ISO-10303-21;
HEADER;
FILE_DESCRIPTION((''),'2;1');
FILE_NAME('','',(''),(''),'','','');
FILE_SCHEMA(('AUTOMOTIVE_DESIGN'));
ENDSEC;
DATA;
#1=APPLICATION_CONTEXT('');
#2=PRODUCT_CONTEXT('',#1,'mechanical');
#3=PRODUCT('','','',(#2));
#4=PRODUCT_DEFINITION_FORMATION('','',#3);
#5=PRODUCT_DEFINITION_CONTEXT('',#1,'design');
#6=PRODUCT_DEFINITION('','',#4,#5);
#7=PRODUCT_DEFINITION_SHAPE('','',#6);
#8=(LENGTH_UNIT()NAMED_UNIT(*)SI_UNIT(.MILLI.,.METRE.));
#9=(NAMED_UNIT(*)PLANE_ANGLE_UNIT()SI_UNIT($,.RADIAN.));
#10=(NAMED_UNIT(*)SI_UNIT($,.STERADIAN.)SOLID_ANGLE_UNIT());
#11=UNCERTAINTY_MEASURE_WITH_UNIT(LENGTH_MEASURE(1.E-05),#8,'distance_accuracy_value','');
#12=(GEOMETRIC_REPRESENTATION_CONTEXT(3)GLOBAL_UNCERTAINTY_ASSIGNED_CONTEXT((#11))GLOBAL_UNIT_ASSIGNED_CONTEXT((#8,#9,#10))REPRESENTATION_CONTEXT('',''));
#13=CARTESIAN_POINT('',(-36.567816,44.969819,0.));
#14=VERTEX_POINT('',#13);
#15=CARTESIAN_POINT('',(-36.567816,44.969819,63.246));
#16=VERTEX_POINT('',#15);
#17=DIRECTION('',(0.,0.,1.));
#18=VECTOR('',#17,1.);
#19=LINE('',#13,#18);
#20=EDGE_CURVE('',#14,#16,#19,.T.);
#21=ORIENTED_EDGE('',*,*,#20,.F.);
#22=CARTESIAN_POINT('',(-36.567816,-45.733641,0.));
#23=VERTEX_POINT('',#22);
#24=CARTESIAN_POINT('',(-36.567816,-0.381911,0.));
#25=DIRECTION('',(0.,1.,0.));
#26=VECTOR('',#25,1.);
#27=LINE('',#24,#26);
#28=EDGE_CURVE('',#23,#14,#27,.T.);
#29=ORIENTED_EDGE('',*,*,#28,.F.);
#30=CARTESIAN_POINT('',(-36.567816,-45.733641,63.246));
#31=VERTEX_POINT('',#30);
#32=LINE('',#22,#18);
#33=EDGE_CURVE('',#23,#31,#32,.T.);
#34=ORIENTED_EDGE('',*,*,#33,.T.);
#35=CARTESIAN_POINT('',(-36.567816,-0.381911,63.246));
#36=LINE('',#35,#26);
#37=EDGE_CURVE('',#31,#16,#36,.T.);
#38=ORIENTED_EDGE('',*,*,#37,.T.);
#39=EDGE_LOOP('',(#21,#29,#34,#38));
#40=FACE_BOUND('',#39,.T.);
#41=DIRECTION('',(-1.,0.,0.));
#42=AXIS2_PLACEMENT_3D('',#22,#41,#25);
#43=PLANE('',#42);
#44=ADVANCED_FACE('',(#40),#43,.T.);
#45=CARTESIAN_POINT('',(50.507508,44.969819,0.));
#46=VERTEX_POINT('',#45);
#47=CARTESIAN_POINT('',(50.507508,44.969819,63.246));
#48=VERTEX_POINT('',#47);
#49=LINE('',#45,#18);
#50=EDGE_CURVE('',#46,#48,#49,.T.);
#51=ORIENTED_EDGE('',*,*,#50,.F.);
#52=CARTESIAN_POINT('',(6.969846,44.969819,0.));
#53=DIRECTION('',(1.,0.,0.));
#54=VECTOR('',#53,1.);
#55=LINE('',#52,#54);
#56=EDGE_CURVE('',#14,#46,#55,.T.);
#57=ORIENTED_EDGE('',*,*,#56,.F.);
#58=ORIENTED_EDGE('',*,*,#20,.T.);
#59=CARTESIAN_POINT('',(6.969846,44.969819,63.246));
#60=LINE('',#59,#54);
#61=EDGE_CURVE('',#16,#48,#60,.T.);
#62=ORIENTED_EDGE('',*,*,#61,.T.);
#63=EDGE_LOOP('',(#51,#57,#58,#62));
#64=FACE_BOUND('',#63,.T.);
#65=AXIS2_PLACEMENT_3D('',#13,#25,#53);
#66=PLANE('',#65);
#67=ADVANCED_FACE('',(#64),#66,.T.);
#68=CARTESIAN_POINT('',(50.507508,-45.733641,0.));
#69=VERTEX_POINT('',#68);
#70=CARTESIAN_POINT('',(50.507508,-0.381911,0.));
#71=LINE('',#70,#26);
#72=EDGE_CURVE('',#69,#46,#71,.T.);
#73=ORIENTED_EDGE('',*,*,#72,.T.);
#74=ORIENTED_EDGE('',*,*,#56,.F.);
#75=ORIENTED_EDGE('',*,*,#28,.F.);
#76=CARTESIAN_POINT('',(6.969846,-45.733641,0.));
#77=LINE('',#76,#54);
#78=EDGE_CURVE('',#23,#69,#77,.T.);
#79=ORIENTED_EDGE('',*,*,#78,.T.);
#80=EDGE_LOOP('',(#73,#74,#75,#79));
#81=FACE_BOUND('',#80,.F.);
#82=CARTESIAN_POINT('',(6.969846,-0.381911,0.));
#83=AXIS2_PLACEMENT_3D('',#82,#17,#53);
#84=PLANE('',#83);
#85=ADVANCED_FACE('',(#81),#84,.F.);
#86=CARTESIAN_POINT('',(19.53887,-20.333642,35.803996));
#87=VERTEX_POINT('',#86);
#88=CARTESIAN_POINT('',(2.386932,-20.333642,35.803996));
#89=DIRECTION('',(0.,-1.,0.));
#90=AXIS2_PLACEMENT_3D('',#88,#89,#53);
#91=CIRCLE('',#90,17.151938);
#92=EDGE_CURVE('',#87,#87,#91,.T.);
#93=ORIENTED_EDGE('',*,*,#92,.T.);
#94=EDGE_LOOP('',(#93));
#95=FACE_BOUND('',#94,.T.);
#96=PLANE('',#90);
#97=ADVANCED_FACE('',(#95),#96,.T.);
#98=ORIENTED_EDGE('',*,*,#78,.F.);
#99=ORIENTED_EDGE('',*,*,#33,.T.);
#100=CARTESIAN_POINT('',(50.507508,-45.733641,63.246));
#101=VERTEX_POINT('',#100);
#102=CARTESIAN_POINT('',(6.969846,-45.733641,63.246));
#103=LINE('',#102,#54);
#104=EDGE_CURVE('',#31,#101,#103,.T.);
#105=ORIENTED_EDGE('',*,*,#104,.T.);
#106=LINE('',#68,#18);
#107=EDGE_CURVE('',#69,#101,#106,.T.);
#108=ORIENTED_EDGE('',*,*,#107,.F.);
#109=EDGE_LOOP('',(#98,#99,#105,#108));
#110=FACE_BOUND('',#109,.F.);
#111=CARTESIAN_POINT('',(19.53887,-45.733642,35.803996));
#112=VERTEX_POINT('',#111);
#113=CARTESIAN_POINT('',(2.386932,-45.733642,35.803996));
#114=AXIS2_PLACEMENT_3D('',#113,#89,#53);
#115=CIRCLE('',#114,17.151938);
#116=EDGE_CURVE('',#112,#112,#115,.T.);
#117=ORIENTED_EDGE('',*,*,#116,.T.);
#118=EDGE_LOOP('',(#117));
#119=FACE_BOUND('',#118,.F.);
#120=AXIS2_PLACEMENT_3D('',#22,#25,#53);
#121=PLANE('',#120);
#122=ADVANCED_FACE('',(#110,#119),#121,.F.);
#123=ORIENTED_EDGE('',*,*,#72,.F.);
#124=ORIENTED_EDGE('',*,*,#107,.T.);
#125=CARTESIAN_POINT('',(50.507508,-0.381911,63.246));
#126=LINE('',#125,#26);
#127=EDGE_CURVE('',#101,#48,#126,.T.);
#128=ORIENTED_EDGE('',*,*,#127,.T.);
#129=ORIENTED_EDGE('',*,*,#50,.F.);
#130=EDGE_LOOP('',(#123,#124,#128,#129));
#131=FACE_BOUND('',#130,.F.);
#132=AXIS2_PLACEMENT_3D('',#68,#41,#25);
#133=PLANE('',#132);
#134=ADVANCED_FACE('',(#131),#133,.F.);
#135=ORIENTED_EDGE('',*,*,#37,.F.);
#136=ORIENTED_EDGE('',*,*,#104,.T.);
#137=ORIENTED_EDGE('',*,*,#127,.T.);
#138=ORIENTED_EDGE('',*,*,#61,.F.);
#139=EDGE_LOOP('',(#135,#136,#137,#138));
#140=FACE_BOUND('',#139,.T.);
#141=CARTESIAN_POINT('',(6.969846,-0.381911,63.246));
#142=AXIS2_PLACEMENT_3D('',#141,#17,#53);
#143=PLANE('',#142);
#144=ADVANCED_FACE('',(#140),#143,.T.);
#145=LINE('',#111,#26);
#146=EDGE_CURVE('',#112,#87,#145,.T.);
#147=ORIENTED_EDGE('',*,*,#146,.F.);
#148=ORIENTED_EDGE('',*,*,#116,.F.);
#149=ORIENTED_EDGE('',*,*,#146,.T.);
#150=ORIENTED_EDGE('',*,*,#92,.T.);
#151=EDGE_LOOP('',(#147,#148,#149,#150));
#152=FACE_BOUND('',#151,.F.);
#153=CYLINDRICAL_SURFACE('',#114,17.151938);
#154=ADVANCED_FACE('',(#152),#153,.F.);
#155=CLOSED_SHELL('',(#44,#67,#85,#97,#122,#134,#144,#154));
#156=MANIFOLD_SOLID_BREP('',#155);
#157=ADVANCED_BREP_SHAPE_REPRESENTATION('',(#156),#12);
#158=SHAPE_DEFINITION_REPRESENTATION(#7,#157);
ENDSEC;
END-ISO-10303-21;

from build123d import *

# Parameters (mm, degrees)
F0_W     = 87.075323
F0_H     = 90.703461
F1_DEPTH = 63.246
F2_R     = 10.983628
F3_DEPTH = 25.4
F4_R     = 17.151938
F5_DEPTH = 25.4


with BuildPart() as f1:
    # F0 (on Top) → F1 (new body)
    with BuildSketch(Plane.XY):
        with Locations((6.969846, -0.381911)):
            Rectangle(F0_W, F0_H)
    extrude(amount=F1_DEPTH)

    # F2 (on Top) → F3 (cut)
    with BuildSketch(Plane.XY):
        Circle(F2_R)
    extrude(amount=-F3_DEPTH, mode=Mode.SUBTRACT)

    # F4 (on face) → F5 (cut)
    with BuildSketch(Plane.XZ.offset(45.733642)):
        with Locations((2.386932, 35.803996)):
            Circle(F4_R)
    extrude(amount=-F5_DEPTH, mode=Mode.SUBTRACT)


solid = f1.part
